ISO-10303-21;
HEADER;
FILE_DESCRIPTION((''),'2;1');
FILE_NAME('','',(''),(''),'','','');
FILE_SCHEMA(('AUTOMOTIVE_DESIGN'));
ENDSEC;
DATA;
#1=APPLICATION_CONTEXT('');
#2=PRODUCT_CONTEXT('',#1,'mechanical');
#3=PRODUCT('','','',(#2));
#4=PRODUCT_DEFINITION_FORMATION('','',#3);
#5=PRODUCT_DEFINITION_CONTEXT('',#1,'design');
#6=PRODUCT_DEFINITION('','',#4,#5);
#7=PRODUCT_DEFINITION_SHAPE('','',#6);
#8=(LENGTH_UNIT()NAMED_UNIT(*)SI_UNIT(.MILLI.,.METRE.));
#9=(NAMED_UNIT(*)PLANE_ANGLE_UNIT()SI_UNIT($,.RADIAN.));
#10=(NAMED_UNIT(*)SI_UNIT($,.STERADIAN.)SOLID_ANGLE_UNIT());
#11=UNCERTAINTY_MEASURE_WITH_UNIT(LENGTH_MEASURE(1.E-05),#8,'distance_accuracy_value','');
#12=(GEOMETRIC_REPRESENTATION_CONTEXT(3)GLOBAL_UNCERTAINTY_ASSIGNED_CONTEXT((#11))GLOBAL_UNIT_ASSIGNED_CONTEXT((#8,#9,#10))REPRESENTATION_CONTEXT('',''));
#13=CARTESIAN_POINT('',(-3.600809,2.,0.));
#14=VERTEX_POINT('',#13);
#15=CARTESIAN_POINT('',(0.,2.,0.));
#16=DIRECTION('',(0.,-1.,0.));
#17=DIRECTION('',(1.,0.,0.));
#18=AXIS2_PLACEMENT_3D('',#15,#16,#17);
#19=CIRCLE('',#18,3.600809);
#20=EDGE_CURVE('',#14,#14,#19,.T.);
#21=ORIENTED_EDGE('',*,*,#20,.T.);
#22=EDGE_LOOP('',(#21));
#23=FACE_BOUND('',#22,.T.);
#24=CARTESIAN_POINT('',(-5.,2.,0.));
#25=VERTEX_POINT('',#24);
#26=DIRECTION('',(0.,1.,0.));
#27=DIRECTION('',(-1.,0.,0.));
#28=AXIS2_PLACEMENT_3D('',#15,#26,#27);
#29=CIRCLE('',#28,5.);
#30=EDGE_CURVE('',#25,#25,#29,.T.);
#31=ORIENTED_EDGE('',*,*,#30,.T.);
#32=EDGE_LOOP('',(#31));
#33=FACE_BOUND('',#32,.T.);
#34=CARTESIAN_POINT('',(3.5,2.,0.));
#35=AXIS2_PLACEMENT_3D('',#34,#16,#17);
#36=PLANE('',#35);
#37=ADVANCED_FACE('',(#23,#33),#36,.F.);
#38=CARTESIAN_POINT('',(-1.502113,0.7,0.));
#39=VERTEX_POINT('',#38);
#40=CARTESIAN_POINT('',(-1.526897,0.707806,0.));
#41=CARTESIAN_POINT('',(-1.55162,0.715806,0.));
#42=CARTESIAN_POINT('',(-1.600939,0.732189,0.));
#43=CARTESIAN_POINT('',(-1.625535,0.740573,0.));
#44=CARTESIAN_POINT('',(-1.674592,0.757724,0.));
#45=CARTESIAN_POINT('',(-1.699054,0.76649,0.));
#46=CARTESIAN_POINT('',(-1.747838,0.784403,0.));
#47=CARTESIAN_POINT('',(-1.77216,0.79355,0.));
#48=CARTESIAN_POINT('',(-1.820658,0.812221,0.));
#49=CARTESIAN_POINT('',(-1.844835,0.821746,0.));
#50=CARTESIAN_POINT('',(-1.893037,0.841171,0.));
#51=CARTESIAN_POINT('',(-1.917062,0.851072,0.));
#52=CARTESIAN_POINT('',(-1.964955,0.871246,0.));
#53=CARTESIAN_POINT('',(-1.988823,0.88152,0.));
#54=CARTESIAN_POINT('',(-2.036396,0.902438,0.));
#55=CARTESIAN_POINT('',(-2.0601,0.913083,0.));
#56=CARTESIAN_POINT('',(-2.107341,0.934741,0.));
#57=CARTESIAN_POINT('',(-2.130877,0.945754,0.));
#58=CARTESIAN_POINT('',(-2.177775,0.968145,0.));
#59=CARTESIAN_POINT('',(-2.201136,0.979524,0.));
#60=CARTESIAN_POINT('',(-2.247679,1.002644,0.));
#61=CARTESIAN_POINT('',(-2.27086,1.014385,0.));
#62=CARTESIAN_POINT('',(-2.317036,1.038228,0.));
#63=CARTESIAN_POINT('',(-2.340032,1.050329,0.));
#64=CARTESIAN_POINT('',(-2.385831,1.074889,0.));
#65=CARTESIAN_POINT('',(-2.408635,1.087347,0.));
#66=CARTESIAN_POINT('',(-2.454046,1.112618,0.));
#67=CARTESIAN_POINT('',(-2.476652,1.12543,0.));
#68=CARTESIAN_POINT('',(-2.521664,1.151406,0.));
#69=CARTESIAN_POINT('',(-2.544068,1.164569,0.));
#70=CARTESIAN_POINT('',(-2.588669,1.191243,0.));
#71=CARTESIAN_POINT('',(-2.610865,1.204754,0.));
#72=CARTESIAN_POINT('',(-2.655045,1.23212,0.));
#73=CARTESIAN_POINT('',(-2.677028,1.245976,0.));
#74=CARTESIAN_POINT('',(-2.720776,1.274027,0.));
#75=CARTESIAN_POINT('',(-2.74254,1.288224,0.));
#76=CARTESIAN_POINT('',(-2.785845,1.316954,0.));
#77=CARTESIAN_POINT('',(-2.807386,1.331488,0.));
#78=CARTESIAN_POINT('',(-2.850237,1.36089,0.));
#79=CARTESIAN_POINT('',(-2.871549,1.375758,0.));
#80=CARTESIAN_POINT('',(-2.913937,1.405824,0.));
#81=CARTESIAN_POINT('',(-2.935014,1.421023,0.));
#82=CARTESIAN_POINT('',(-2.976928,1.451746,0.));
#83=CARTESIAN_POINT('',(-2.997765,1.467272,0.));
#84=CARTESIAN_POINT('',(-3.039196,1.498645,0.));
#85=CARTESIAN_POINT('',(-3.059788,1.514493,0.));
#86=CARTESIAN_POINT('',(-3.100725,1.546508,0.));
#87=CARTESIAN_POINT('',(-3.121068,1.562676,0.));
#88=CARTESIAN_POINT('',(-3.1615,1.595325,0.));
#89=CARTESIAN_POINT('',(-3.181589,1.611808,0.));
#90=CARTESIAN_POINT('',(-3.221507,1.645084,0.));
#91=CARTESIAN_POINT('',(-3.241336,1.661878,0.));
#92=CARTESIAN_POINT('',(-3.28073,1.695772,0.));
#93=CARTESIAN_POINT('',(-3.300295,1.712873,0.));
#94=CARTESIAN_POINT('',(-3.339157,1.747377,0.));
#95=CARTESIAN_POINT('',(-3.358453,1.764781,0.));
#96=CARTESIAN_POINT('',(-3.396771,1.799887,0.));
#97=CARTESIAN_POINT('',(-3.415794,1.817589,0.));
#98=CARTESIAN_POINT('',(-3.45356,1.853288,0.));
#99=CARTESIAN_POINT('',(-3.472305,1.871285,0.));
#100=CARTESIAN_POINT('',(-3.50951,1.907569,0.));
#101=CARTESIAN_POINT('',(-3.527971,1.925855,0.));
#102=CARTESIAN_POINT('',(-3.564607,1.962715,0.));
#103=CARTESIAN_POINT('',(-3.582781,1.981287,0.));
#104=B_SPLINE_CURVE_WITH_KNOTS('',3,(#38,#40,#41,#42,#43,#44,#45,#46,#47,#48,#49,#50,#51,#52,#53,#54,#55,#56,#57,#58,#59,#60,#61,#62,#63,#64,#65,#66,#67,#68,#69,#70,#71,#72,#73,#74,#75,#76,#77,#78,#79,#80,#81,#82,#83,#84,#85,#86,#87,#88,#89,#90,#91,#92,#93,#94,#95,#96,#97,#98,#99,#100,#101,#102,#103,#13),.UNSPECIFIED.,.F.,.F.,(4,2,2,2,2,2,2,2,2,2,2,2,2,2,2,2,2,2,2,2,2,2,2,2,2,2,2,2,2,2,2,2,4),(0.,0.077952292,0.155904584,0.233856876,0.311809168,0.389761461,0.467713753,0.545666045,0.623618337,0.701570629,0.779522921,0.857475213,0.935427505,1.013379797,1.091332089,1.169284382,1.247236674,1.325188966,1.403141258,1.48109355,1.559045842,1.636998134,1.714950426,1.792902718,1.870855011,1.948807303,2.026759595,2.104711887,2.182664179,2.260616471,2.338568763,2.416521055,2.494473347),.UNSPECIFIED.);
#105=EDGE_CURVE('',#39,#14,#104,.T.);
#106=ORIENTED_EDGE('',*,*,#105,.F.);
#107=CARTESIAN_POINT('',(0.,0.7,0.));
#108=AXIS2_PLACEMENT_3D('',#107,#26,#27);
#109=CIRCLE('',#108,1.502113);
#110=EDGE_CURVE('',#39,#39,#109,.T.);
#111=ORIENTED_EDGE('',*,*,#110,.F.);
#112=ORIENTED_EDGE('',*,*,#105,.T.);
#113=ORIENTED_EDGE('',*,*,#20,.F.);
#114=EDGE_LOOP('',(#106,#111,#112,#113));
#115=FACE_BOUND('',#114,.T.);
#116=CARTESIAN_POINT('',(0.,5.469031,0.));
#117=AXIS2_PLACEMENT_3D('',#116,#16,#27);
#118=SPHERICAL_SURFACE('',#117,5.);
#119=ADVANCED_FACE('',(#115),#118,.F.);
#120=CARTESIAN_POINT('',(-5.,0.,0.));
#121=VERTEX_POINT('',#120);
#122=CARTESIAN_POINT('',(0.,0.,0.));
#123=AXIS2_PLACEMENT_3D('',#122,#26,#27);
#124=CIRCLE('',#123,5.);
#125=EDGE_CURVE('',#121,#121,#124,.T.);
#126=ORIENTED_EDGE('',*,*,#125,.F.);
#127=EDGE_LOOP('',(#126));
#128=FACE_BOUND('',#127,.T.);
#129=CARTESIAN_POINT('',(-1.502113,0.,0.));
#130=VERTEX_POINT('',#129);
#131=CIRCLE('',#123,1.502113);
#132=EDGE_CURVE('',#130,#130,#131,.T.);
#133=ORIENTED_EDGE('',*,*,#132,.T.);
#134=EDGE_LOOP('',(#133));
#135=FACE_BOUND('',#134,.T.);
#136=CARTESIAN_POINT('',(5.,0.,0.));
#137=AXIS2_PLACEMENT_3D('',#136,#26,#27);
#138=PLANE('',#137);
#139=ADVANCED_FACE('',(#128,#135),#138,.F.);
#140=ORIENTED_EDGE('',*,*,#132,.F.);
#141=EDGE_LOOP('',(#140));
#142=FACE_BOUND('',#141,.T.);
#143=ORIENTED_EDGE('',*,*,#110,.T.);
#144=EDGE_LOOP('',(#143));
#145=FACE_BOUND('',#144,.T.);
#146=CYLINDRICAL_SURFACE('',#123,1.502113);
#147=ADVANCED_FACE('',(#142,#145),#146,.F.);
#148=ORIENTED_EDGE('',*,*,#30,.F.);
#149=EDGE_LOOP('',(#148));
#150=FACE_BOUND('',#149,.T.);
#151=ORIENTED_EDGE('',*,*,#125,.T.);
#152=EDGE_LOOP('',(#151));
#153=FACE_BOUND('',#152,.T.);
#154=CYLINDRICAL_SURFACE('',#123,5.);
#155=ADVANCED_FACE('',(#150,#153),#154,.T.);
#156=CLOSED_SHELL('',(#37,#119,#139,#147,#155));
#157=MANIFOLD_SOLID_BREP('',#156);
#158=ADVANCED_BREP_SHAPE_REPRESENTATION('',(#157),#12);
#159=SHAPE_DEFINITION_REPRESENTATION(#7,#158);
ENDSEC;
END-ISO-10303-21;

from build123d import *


with BuildPart() as part:
    # 草图1 → 旋转1 (revolve)
    with BuildSketch(Plane.XY, mode=Mode.PRIVATE) as revolve_1_sk:
        Polygon((3.5, 2), (5, 2), (5, 0), (1.502113226, 0), (1.502113226, 0.7), align=None)
    revolve(revolve_1_sk.sketch.rotate(Axis((0, 0, 0), (0, -1, 0)), 180), axis=Axis((0, 0, 0), (0, -1, 0)))

    # 草图2 → 切除-旋转2 (revolve, cut)
    with BuildSketch(Plane.XY):
        with BuildLine():
            Line((0, 0.469030914), (0, 10.469030914))
            ThreePointArc((0, 10.469030914), (5, 5.469030914), (0, 0.469030914))
        make_face()
    revolve(axis=Axis((0, 0, 0), (0, 1, 0)), mode=Mode.SUBTRACT)


solid = part.part
